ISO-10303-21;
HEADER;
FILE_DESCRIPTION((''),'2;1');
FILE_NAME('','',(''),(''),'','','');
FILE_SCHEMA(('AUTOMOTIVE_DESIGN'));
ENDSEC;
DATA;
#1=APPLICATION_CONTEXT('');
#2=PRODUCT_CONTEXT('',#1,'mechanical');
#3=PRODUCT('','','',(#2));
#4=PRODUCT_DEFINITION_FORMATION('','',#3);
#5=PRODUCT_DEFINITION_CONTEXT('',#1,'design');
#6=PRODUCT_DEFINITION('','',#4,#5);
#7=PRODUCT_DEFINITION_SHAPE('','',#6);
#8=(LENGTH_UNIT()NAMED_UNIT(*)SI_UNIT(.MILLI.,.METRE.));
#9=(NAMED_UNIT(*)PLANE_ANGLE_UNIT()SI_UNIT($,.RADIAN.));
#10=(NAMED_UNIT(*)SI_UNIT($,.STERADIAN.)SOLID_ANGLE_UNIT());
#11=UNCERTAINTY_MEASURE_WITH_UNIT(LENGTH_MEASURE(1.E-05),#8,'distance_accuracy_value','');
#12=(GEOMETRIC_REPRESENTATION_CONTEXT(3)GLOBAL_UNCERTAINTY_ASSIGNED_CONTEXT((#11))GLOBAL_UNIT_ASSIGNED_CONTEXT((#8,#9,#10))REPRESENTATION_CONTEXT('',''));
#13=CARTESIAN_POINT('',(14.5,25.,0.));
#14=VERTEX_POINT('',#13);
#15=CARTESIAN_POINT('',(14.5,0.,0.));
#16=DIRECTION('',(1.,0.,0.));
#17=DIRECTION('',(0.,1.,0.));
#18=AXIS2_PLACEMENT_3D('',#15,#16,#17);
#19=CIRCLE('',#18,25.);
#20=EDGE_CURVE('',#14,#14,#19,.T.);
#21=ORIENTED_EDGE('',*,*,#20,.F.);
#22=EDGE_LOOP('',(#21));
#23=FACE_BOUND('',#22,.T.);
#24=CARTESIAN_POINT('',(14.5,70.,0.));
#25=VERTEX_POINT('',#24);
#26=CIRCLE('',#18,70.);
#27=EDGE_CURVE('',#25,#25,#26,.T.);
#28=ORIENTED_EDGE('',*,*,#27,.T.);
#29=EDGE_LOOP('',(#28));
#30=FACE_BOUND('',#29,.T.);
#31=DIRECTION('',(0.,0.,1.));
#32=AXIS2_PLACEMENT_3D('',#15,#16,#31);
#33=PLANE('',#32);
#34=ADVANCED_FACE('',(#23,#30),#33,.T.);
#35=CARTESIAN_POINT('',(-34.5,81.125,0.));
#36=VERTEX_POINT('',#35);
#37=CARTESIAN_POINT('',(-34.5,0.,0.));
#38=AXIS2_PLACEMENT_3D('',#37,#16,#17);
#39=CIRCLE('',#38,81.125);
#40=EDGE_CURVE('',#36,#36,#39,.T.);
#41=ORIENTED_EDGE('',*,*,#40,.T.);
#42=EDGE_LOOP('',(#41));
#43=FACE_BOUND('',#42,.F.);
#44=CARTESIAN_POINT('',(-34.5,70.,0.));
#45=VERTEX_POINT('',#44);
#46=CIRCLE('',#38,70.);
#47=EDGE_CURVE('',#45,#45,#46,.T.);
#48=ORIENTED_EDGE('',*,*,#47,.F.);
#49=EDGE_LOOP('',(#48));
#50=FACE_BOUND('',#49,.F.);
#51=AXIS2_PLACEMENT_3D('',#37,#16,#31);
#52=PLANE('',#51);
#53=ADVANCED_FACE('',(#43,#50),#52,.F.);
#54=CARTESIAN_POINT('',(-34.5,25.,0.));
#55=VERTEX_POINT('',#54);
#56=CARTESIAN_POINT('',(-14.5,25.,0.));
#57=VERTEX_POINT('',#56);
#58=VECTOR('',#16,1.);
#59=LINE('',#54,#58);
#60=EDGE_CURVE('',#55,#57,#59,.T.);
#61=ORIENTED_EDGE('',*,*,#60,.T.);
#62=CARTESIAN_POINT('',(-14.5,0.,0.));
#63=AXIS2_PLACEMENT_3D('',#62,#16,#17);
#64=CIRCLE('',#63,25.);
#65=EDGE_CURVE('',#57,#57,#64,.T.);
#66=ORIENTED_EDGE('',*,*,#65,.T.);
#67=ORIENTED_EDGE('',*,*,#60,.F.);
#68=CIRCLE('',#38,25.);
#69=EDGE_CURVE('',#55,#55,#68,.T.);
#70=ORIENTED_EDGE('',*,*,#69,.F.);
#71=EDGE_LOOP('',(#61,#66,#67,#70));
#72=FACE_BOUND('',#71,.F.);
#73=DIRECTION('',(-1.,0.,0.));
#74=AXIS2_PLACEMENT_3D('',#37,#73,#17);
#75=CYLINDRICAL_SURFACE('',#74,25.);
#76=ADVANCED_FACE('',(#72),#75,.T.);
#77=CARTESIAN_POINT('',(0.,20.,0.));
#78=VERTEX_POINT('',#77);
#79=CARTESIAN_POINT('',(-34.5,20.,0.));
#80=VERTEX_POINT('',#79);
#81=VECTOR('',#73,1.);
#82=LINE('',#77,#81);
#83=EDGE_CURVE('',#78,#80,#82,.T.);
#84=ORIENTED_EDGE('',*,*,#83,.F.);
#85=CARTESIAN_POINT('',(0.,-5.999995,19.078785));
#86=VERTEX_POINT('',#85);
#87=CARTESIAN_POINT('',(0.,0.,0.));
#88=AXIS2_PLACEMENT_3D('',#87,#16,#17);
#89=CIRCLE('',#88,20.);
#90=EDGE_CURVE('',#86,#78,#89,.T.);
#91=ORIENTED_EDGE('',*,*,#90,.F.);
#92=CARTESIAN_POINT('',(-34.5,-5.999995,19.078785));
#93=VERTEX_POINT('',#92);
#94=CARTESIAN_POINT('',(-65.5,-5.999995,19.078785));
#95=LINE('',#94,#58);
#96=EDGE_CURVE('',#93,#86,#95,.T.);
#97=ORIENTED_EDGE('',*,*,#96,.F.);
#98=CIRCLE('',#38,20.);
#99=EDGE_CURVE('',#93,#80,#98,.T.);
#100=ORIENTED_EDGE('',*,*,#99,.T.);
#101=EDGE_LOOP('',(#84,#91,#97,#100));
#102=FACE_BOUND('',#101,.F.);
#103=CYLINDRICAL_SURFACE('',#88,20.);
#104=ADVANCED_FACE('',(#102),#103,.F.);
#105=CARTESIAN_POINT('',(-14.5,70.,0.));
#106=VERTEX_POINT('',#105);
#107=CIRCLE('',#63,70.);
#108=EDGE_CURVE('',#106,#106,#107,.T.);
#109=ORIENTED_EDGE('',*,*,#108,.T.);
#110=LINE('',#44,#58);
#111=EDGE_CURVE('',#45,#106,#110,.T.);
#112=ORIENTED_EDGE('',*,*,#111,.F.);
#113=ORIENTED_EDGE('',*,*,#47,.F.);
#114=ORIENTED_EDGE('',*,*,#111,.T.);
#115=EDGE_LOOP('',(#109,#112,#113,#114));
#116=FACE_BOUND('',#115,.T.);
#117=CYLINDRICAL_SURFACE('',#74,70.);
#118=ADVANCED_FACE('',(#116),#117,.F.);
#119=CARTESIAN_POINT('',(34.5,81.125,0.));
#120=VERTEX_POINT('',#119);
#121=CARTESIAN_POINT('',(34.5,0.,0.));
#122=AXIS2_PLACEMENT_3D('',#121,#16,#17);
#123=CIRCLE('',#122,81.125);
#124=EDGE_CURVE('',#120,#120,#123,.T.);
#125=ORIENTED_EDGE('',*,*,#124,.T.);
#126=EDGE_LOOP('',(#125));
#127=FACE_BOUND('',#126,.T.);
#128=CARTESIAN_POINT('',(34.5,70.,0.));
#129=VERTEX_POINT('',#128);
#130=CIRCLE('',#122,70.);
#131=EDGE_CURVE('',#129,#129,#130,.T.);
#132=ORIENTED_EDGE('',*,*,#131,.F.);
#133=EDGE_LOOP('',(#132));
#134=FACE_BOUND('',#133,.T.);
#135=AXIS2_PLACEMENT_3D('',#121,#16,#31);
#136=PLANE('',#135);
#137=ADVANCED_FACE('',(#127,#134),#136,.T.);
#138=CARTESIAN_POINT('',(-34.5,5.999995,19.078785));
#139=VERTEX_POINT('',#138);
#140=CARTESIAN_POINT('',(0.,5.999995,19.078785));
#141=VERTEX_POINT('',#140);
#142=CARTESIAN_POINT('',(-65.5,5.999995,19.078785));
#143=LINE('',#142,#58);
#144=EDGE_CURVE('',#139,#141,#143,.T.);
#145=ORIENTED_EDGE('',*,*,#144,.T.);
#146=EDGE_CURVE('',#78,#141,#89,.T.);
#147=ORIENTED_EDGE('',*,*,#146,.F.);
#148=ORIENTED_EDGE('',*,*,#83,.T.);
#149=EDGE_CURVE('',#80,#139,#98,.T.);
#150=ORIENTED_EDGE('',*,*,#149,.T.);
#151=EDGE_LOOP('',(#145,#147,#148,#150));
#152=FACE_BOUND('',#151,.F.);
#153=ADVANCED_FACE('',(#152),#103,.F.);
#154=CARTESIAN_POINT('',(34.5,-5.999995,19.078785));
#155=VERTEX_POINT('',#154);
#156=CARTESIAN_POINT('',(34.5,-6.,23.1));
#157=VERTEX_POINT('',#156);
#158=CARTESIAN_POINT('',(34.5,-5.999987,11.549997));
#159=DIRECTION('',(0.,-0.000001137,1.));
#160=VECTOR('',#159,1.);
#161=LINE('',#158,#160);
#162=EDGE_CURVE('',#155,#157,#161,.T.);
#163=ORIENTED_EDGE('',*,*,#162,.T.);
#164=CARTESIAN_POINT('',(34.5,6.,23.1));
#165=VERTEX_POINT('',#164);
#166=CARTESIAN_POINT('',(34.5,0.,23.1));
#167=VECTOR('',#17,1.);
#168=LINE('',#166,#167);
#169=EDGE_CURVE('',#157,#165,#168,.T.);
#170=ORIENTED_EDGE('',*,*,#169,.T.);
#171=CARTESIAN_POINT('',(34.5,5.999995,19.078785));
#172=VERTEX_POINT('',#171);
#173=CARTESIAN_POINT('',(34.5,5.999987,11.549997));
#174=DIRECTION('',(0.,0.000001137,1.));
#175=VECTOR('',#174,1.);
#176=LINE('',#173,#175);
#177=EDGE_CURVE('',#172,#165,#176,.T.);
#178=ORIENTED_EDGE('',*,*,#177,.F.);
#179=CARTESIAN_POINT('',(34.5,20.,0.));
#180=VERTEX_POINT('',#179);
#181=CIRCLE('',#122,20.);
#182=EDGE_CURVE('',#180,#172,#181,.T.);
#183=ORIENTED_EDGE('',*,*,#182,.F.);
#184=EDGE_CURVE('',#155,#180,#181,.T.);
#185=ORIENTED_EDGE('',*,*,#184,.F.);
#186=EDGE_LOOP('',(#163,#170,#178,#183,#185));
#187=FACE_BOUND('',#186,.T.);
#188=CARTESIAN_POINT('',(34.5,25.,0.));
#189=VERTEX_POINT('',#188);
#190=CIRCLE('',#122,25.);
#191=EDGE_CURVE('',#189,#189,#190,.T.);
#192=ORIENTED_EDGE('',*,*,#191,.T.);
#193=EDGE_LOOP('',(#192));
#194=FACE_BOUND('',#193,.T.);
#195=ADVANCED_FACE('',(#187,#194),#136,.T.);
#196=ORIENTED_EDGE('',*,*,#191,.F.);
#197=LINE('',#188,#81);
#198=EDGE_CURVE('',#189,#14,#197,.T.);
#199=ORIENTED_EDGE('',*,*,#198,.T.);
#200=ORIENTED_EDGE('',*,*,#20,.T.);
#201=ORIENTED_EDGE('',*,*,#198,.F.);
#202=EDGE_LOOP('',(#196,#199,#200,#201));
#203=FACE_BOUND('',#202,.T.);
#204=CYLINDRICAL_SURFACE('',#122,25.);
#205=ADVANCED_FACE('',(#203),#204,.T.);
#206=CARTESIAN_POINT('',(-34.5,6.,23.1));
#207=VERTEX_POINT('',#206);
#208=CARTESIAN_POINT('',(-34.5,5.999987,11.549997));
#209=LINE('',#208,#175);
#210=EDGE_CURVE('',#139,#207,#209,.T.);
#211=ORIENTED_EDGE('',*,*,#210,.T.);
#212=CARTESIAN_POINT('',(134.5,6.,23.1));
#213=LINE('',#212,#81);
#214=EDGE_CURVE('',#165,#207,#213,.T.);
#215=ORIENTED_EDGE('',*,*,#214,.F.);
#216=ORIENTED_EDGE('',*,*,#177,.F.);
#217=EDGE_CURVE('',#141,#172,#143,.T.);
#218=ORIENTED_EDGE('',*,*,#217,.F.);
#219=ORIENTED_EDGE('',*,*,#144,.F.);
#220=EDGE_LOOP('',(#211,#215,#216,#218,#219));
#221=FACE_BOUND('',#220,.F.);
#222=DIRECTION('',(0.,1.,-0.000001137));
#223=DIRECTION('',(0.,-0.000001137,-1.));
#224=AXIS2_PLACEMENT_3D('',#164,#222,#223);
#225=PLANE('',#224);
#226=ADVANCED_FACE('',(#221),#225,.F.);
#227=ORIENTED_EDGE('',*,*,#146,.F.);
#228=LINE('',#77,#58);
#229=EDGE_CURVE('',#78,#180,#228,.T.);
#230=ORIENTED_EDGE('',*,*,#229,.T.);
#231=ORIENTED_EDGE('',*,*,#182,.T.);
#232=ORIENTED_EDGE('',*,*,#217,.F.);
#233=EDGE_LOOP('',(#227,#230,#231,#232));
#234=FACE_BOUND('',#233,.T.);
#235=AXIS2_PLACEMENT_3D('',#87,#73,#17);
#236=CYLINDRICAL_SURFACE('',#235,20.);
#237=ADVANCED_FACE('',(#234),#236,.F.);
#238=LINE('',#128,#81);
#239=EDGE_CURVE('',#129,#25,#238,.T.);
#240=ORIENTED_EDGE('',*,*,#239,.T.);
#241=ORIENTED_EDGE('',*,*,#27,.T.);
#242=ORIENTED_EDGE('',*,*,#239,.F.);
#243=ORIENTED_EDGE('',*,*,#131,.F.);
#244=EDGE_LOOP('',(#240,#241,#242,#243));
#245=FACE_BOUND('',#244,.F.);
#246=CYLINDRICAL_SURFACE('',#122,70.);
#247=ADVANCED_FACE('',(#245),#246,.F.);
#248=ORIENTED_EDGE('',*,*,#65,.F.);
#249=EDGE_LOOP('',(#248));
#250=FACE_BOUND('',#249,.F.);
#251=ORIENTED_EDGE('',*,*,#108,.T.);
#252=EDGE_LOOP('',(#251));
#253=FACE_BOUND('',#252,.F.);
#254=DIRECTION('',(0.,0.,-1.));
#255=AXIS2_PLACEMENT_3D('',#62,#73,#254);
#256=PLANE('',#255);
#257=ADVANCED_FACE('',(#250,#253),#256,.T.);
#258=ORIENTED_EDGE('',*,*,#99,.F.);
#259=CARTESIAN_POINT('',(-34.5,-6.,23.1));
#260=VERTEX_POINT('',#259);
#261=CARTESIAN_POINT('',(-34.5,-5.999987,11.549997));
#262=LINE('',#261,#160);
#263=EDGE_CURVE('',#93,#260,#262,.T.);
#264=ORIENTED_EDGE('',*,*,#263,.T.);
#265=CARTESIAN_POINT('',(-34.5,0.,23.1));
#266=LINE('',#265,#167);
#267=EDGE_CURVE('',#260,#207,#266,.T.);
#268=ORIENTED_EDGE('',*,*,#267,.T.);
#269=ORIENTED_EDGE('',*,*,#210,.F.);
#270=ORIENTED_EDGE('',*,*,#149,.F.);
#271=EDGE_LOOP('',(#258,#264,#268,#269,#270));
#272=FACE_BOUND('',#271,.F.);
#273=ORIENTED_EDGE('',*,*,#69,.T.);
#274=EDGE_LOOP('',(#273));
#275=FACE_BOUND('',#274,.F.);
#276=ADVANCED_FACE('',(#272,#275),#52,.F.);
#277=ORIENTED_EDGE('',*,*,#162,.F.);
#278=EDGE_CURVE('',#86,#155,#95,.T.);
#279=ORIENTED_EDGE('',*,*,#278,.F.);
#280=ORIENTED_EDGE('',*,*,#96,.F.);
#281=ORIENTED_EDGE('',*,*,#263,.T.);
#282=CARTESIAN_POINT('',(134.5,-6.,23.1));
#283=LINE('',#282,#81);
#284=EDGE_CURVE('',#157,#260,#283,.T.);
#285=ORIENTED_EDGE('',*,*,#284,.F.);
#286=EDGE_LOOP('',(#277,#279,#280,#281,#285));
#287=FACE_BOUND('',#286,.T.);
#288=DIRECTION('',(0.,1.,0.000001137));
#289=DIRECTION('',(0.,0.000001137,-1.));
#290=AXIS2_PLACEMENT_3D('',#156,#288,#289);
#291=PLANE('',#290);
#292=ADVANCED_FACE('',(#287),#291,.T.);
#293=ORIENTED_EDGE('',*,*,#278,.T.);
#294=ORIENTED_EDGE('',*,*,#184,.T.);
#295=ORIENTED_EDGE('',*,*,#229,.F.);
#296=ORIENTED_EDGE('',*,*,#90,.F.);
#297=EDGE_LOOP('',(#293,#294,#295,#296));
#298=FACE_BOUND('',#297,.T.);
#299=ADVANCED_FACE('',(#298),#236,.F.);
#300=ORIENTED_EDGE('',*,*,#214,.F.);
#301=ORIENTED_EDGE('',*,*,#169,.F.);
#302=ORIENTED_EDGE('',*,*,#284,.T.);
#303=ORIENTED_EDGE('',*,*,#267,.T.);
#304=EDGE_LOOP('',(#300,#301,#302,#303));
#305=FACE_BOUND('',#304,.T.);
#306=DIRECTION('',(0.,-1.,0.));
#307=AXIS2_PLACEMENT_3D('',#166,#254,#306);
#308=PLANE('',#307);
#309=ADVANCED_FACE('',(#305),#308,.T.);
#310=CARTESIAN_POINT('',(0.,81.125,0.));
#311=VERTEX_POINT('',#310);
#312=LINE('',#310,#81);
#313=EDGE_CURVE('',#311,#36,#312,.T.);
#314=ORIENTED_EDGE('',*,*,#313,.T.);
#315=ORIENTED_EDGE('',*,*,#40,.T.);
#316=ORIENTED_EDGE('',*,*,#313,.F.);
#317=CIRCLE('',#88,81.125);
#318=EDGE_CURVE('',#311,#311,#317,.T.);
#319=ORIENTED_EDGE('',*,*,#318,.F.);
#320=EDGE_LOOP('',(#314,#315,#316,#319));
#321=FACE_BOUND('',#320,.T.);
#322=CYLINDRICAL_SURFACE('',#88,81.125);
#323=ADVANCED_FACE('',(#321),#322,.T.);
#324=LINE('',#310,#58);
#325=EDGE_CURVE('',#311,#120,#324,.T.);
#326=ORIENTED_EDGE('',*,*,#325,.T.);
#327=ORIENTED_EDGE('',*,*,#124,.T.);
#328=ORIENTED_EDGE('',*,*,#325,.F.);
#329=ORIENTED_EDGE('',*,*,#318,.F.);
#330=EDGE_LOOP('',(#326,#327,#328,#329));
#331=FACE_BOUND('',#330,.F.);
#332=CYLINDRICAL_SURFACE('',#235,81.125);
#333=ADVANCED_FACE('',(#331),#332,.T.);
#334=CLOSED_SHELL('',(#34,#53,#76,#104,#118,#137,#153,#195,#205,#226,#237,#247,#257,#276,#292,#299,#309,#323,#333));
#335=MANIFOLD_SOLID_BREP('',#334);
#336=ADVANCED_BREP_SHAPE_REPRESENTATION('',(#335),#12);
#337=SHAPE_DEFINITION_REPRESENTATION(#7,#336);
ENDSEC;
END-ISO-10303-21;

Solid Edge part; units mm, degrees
sketch "Sketch1" plane through (0, 0, 0) normal (1, 0, 0) x (0, 1, 0)
  circle A0 centre (0, 0) radius 20
  circle A1 centre (0, 0) radius 81.125
extrude "Protrusion1" add sketch "Sketch1" along normal mid plane 69
sketch "Sketch2" plane through (34.5, 0, 0) normal (1, 0, 0) x (0, 1, 0)
  circle A0 centre (0, 0) radius 70
  circle A1 centre (0, 0) radius 25
extrude "VaciadoExtruido_1" cut sketch "Sketch2" against normal blind 20
mirror "Mirror1" about plane through (0, 0, 0) normal (1, 0, 0) of "VaciadoExtruido_1"
sketch "Sketch3" plane through (34.5, 0, 0) normal (1, 0, 0) x (0, 1, 0)
  line L0 (-6, 23.1) -> (-6, 19.0788)
  line L1 (6, 23.1) -> (6, 19.0788)
  line L2 (0, 23.1) -> (6, 23.1)
  line L3 (0, 23.1) -> (-6, 23.1)
  arc A0 (-6, 19.0788) -> (6, 19.0788) centre (0, 0) cw
extrude "Cutout2" cut sketch "Sketch3" along normal mid plane 200
properties material "Acero"
